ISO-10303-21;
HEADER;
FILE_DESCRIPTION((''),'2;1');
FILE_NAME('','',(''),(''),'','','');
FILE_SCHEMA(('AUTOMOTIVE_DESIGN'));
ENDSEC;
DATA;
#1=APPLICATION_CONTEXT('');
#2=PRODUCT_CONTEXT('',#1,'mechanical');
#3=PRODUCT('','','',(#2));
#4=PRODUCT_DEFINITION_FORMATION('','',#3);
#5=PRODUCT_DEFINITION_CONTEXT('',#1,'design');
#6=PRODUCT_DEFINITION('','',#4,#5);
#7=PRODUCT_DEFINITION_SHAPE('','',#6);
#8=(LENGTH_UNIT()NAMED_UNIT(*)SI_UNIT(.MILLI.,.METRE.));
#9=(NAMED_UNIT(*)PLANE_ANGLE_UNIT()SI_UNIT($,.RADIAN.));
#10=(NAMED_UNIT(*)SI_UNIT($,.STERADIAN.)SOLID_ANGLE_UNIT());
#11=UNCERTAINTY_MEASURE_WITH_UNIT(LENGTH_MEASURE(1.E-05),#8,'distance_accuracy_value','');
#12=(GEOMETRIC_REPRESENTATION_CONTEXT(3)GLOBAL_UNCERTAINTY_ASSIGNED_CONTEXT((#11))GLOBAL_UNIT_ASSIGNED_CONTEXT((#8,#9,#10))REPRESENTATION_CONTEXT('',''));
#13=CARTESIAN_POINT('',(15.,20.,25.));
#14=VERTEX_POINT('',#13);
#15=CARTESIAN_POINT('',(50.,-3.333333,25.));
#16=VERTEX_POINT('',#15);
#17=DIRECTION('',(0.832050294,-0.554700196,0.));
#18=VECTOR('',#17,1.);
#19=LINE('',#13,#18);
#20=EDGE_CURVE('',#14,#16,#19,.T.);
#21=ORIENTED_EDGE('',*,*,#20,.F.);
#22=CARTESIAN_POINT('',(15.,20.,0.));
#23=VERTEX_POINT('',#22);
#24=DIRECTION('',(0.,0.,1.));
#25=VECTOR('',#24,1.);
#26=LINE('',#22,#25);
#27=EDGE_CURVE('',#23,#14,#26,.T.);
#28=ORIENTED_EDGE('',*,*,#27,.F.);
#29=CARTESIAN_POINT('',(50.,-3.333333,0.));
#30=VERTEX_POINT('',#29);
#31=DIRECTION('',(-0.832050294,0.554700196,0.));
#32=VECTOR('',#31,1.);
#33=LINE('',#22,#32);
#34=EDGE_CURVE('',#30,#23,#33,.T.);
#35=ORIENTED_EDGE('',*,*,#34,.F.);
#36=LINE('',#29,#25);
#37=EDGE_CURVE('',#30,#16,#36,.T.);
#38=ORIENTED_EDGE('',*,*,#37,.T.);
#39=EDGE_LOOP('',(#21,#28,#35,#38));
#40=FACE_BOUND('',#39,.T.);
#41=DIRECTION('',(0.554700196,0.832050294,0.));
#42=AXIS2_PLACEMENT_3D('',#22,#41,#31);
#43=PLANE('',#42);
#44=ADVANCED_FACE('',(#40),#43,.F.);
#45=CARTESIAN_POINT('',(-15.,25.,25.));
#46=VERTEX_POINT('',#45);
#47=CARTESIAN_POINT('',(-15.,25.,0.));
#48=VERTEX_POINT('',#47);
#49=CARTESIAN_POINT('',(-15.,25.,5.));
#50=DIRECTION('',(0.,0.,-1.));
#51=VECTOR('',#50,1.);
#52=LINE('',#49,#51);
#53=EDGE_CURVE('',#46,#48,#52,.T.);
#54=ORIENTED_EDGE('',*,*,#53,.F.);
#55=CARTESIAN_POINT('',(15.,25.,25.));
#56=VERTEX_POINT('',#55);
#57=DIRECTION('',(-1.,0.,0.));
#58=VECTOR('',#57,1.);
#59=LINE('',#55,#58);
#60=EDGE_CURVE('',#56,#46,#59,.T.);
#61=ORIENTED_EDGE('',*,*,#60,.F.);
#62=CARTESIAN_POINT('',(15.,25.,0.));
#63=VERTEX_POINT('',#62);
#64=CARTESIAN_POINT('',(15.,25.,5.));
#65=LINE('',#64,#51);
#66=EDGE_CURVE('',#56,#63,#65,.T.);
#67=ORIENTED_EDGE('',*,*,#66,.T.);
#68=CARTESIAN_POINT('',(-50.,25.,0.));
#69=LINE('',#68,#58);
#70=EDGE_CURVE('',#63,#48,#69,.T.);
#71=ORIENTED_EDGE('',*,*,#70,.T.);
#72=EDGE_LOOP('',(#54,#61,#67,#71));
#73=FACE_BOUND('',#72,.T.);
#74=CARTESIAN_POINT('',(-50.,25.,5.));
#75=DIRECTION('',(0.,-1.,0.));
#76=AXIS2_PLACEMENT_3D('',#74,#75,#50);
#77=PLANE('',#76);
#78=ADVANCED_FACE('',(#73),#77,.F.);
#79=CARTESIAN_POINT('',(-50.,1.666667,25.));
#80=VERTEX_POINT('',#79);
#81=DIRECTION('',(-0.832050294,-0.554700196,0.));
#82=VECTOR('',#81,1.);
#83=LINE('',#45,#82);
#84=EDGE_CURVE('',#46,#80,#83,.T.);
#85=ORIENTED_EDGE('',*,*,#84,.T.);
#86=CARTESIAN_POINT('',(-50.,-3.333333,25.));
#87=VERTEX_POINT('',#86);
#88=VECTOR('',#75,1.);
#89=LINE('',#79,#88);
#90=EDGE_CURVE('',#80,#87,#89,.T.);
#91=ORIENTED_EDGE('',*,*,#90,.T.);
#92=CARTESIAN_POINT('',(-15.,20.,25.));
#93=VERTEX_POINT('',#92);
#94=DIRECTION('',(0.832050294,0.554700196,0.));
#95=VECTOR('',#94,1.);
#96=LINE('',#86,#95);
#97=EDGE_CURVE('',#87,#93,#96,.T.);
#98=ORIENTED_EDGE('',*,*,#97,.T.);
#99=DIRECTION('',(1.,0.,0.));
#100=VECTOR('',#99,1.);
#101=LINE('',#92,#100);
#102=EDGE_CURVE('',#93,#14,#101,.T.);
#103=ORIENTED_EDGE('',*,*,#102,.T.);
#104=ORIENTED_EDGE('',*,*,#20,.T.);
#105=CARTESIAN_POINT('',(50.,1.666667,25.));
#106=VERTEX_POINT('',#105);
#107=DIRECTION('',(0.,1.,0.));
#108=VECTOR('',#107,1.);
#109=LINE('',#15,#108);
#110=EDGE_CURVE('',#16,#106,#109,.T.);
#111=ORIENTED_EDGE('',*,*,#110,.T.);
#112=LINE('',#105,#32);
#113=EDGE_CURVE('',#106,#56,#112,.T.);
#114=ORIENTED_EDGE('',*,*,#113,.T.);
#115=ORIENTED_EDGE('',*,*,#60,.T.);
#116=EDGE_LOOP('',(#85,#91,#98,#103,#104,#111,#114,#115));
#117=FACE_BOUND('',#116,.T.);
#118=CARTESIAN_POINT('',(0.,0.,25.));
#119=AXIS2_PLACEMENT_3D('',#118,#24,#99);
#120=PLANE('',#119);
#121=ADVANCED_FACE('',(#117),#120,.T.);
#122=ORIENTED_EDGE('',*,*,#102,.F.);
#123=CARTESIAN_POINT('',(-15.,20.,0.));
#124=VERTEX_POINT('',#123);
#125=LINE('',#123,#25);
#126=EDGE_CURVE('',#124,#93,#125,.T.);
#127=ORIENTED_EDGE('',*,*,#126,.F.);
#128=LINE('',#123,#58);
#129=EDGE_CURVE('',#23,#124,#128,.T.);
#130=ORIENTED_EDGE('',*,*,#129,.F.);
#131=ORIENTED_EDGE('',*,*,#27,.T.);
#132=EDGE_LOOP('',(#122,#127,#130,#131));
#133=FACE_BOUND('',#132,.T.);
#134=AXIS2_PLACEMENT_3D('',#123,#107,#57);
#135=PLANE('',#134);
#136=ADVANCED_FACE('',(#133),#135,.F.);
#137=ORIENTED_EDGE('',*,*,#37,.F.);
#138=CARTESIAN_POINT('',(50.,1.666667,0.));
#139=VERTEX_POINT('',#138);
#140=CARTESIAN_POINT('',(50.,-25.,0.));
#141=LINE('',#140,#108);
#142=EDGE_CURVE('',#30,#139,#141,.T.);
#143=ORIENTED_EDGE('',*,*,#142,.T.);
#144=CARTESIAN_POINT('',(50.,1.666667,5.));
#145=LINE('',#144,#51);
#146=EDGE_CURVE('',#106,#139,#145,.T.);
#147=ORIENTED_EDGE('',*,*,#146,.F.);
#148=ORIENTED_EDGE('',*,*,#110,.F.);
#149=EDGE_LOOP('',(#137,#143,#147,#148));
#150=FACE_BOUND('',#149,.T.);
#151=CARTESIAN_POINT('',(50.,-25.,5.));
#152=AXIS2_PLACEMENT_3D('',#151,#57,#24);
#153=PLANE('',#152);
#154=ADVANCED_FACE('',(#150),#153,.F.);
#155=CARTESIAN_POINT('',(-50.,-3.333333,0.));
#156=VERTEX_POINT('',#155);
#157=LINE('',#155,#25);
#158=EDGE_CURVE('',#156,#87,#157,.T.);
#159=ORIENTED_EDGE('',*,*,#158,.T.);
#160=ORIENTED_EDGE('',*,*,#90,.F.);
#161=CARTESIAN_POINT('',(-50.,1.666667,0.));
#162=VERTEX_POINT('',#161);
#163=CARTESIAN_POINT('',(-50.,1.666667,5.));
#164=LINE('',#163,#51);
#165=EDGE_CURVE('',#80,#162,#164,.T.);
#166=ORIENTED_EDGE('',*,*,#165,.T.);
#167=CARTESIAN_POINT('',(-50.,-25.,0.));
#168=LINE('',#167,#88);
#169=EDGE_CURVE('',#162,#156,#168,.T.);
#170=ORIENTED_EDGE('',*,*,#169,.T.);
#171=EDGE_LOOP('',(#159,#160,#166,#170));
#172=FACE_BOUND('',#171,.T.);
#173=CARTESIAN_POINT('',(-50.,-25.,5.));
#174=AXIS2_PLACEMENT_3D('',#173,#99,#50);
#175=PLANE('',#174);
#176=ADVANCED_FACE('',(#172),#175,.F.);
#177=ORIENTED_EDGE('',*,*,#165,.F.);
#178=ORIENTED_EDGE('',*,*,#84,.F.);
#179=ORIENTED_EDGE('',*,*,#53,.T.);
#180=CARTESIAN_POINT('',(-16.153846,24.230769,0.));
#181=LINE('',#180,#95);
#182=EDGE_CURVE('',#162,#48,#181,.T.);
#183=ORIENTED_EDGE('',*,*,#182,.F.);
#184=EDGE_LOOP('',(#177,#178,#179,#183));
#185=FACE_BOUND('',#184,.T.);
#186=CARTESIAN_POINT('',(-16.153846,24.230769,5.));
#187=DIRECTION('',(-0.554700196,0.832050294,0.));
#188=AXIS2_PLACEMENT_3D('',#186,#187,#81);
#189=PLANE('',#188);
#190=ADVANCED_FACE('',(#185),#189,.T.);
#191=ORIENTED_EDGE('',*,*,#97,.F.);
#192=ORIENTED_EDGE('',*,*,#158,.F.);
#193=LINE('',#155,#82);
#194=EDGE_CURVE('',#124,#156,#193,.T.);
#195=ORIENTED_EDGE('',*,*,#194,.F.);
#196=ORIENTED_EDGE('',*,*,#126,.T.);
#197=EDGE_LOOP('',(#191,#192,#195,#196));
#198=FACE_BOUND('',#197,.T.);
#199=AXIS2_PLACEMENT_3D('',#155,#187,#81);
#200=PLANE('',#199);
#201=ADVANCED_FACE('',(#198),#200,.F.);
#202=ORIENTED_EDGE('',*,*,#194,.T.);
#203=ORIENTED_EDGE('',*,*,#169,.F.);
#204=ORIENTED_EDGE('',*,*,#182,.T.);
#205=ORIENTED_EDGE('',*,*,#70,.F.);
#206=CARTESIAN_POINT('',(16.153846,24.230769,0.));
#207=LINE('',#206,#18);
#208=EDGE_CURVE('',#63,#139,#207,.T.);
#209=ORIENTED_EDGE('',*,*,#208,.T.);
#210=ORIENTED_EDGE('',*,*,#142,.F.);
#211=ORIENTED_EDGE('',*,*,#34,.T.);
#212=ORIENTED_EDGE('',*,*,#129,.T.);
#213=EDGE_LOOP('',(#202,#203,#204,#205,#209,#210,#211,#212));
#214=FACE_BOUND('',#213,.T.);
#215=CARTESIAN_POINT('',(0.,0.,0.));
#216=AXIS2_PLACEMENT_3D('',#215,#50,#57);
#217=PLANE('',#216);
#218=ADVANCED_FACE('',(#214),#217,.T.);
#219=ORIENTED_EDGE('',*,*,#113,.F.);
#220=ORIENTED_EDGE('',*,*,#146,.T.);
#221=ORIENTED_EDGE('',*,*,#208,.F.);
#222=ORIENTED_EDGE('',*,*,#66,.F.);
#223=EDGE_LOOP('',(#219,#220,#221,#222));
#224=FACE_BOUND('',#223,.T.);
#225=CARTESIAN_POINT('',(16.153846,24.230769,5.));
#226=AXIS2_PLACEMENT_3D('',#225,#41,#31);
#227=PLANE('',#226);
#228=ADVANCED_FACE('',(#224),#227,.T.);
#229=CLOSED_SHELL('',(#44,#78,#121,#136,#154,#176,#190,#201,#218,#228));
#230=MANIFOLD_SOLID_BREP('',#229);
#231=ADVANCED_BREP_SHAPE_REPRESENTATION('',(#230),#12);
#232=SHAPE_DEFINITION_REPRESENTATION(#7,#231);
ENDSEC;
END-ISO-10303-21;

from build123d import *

# Parameters (mm, degrees)
SKETCH1_W           = 100
SKETCH1_H           = 50
BOSS_EXTRUDE1_DEPTH = 5
CUT_EXTRUDE1_DEPTH  = 57.124860802
CUT_EXTRUDE2_DEPTH  = 57.124860802
BOSS_EXTRUDE2_DEPTH = 20


with BuildPart() as part:
    # Sketch1 → Boss-Extrude1 (new body)
    with BuildSketch(Plane.XY):
        Rectangle(SKETCH1_W, SKETCH1_H)
    extrude(amount=BOSS_EXTRUDE1_DEPTH)

    # Sketch2 → Cut-Extrude1 (cut, through all)
    with BuildSketch(Plane(origin=(0, 0, 0), x_dir=(-1, 0, 0), z_dir=(0, 0, -1))):
        Polygon((-50, 1.666666667), (-15, 25), (-50, 25), align=None)
        Polygon((50, 25), (15, 25), (50, 1.666666667), align=None)
    extrude(amount=-CUT_EXTRUDE1_DEPTH, mode=Mode.SUBTRACT)

    # Sketch3 → Cut-Extrude2 (cut, through all)
    with BuildSketch(Plane.XY.offset(5)):
        Polygon((-50, -3.333333333), (-15, 20), (15, 20), (50, -3.333333333), (50, -25), (-50, -25), align=None)
    extrude(amount=-CUT_EXTRUDE2_DEPTH, mode=Mode.SUBTRACT)

    # Sketch4 → Boss-Extrude2 (add)
    with BuildSketch(Plane.XY.offset(5)):
        Polygon((-50, 1.666666667), (-50, -3.333333333), (-15, 20), (15, 20), (50, -3.333333333), (50, 1.666666667), (15, 25), (-15, 25), align=None)
    extrude(amount=BOSS_EXTRUDE2_DEPTH)


solid = part.part
